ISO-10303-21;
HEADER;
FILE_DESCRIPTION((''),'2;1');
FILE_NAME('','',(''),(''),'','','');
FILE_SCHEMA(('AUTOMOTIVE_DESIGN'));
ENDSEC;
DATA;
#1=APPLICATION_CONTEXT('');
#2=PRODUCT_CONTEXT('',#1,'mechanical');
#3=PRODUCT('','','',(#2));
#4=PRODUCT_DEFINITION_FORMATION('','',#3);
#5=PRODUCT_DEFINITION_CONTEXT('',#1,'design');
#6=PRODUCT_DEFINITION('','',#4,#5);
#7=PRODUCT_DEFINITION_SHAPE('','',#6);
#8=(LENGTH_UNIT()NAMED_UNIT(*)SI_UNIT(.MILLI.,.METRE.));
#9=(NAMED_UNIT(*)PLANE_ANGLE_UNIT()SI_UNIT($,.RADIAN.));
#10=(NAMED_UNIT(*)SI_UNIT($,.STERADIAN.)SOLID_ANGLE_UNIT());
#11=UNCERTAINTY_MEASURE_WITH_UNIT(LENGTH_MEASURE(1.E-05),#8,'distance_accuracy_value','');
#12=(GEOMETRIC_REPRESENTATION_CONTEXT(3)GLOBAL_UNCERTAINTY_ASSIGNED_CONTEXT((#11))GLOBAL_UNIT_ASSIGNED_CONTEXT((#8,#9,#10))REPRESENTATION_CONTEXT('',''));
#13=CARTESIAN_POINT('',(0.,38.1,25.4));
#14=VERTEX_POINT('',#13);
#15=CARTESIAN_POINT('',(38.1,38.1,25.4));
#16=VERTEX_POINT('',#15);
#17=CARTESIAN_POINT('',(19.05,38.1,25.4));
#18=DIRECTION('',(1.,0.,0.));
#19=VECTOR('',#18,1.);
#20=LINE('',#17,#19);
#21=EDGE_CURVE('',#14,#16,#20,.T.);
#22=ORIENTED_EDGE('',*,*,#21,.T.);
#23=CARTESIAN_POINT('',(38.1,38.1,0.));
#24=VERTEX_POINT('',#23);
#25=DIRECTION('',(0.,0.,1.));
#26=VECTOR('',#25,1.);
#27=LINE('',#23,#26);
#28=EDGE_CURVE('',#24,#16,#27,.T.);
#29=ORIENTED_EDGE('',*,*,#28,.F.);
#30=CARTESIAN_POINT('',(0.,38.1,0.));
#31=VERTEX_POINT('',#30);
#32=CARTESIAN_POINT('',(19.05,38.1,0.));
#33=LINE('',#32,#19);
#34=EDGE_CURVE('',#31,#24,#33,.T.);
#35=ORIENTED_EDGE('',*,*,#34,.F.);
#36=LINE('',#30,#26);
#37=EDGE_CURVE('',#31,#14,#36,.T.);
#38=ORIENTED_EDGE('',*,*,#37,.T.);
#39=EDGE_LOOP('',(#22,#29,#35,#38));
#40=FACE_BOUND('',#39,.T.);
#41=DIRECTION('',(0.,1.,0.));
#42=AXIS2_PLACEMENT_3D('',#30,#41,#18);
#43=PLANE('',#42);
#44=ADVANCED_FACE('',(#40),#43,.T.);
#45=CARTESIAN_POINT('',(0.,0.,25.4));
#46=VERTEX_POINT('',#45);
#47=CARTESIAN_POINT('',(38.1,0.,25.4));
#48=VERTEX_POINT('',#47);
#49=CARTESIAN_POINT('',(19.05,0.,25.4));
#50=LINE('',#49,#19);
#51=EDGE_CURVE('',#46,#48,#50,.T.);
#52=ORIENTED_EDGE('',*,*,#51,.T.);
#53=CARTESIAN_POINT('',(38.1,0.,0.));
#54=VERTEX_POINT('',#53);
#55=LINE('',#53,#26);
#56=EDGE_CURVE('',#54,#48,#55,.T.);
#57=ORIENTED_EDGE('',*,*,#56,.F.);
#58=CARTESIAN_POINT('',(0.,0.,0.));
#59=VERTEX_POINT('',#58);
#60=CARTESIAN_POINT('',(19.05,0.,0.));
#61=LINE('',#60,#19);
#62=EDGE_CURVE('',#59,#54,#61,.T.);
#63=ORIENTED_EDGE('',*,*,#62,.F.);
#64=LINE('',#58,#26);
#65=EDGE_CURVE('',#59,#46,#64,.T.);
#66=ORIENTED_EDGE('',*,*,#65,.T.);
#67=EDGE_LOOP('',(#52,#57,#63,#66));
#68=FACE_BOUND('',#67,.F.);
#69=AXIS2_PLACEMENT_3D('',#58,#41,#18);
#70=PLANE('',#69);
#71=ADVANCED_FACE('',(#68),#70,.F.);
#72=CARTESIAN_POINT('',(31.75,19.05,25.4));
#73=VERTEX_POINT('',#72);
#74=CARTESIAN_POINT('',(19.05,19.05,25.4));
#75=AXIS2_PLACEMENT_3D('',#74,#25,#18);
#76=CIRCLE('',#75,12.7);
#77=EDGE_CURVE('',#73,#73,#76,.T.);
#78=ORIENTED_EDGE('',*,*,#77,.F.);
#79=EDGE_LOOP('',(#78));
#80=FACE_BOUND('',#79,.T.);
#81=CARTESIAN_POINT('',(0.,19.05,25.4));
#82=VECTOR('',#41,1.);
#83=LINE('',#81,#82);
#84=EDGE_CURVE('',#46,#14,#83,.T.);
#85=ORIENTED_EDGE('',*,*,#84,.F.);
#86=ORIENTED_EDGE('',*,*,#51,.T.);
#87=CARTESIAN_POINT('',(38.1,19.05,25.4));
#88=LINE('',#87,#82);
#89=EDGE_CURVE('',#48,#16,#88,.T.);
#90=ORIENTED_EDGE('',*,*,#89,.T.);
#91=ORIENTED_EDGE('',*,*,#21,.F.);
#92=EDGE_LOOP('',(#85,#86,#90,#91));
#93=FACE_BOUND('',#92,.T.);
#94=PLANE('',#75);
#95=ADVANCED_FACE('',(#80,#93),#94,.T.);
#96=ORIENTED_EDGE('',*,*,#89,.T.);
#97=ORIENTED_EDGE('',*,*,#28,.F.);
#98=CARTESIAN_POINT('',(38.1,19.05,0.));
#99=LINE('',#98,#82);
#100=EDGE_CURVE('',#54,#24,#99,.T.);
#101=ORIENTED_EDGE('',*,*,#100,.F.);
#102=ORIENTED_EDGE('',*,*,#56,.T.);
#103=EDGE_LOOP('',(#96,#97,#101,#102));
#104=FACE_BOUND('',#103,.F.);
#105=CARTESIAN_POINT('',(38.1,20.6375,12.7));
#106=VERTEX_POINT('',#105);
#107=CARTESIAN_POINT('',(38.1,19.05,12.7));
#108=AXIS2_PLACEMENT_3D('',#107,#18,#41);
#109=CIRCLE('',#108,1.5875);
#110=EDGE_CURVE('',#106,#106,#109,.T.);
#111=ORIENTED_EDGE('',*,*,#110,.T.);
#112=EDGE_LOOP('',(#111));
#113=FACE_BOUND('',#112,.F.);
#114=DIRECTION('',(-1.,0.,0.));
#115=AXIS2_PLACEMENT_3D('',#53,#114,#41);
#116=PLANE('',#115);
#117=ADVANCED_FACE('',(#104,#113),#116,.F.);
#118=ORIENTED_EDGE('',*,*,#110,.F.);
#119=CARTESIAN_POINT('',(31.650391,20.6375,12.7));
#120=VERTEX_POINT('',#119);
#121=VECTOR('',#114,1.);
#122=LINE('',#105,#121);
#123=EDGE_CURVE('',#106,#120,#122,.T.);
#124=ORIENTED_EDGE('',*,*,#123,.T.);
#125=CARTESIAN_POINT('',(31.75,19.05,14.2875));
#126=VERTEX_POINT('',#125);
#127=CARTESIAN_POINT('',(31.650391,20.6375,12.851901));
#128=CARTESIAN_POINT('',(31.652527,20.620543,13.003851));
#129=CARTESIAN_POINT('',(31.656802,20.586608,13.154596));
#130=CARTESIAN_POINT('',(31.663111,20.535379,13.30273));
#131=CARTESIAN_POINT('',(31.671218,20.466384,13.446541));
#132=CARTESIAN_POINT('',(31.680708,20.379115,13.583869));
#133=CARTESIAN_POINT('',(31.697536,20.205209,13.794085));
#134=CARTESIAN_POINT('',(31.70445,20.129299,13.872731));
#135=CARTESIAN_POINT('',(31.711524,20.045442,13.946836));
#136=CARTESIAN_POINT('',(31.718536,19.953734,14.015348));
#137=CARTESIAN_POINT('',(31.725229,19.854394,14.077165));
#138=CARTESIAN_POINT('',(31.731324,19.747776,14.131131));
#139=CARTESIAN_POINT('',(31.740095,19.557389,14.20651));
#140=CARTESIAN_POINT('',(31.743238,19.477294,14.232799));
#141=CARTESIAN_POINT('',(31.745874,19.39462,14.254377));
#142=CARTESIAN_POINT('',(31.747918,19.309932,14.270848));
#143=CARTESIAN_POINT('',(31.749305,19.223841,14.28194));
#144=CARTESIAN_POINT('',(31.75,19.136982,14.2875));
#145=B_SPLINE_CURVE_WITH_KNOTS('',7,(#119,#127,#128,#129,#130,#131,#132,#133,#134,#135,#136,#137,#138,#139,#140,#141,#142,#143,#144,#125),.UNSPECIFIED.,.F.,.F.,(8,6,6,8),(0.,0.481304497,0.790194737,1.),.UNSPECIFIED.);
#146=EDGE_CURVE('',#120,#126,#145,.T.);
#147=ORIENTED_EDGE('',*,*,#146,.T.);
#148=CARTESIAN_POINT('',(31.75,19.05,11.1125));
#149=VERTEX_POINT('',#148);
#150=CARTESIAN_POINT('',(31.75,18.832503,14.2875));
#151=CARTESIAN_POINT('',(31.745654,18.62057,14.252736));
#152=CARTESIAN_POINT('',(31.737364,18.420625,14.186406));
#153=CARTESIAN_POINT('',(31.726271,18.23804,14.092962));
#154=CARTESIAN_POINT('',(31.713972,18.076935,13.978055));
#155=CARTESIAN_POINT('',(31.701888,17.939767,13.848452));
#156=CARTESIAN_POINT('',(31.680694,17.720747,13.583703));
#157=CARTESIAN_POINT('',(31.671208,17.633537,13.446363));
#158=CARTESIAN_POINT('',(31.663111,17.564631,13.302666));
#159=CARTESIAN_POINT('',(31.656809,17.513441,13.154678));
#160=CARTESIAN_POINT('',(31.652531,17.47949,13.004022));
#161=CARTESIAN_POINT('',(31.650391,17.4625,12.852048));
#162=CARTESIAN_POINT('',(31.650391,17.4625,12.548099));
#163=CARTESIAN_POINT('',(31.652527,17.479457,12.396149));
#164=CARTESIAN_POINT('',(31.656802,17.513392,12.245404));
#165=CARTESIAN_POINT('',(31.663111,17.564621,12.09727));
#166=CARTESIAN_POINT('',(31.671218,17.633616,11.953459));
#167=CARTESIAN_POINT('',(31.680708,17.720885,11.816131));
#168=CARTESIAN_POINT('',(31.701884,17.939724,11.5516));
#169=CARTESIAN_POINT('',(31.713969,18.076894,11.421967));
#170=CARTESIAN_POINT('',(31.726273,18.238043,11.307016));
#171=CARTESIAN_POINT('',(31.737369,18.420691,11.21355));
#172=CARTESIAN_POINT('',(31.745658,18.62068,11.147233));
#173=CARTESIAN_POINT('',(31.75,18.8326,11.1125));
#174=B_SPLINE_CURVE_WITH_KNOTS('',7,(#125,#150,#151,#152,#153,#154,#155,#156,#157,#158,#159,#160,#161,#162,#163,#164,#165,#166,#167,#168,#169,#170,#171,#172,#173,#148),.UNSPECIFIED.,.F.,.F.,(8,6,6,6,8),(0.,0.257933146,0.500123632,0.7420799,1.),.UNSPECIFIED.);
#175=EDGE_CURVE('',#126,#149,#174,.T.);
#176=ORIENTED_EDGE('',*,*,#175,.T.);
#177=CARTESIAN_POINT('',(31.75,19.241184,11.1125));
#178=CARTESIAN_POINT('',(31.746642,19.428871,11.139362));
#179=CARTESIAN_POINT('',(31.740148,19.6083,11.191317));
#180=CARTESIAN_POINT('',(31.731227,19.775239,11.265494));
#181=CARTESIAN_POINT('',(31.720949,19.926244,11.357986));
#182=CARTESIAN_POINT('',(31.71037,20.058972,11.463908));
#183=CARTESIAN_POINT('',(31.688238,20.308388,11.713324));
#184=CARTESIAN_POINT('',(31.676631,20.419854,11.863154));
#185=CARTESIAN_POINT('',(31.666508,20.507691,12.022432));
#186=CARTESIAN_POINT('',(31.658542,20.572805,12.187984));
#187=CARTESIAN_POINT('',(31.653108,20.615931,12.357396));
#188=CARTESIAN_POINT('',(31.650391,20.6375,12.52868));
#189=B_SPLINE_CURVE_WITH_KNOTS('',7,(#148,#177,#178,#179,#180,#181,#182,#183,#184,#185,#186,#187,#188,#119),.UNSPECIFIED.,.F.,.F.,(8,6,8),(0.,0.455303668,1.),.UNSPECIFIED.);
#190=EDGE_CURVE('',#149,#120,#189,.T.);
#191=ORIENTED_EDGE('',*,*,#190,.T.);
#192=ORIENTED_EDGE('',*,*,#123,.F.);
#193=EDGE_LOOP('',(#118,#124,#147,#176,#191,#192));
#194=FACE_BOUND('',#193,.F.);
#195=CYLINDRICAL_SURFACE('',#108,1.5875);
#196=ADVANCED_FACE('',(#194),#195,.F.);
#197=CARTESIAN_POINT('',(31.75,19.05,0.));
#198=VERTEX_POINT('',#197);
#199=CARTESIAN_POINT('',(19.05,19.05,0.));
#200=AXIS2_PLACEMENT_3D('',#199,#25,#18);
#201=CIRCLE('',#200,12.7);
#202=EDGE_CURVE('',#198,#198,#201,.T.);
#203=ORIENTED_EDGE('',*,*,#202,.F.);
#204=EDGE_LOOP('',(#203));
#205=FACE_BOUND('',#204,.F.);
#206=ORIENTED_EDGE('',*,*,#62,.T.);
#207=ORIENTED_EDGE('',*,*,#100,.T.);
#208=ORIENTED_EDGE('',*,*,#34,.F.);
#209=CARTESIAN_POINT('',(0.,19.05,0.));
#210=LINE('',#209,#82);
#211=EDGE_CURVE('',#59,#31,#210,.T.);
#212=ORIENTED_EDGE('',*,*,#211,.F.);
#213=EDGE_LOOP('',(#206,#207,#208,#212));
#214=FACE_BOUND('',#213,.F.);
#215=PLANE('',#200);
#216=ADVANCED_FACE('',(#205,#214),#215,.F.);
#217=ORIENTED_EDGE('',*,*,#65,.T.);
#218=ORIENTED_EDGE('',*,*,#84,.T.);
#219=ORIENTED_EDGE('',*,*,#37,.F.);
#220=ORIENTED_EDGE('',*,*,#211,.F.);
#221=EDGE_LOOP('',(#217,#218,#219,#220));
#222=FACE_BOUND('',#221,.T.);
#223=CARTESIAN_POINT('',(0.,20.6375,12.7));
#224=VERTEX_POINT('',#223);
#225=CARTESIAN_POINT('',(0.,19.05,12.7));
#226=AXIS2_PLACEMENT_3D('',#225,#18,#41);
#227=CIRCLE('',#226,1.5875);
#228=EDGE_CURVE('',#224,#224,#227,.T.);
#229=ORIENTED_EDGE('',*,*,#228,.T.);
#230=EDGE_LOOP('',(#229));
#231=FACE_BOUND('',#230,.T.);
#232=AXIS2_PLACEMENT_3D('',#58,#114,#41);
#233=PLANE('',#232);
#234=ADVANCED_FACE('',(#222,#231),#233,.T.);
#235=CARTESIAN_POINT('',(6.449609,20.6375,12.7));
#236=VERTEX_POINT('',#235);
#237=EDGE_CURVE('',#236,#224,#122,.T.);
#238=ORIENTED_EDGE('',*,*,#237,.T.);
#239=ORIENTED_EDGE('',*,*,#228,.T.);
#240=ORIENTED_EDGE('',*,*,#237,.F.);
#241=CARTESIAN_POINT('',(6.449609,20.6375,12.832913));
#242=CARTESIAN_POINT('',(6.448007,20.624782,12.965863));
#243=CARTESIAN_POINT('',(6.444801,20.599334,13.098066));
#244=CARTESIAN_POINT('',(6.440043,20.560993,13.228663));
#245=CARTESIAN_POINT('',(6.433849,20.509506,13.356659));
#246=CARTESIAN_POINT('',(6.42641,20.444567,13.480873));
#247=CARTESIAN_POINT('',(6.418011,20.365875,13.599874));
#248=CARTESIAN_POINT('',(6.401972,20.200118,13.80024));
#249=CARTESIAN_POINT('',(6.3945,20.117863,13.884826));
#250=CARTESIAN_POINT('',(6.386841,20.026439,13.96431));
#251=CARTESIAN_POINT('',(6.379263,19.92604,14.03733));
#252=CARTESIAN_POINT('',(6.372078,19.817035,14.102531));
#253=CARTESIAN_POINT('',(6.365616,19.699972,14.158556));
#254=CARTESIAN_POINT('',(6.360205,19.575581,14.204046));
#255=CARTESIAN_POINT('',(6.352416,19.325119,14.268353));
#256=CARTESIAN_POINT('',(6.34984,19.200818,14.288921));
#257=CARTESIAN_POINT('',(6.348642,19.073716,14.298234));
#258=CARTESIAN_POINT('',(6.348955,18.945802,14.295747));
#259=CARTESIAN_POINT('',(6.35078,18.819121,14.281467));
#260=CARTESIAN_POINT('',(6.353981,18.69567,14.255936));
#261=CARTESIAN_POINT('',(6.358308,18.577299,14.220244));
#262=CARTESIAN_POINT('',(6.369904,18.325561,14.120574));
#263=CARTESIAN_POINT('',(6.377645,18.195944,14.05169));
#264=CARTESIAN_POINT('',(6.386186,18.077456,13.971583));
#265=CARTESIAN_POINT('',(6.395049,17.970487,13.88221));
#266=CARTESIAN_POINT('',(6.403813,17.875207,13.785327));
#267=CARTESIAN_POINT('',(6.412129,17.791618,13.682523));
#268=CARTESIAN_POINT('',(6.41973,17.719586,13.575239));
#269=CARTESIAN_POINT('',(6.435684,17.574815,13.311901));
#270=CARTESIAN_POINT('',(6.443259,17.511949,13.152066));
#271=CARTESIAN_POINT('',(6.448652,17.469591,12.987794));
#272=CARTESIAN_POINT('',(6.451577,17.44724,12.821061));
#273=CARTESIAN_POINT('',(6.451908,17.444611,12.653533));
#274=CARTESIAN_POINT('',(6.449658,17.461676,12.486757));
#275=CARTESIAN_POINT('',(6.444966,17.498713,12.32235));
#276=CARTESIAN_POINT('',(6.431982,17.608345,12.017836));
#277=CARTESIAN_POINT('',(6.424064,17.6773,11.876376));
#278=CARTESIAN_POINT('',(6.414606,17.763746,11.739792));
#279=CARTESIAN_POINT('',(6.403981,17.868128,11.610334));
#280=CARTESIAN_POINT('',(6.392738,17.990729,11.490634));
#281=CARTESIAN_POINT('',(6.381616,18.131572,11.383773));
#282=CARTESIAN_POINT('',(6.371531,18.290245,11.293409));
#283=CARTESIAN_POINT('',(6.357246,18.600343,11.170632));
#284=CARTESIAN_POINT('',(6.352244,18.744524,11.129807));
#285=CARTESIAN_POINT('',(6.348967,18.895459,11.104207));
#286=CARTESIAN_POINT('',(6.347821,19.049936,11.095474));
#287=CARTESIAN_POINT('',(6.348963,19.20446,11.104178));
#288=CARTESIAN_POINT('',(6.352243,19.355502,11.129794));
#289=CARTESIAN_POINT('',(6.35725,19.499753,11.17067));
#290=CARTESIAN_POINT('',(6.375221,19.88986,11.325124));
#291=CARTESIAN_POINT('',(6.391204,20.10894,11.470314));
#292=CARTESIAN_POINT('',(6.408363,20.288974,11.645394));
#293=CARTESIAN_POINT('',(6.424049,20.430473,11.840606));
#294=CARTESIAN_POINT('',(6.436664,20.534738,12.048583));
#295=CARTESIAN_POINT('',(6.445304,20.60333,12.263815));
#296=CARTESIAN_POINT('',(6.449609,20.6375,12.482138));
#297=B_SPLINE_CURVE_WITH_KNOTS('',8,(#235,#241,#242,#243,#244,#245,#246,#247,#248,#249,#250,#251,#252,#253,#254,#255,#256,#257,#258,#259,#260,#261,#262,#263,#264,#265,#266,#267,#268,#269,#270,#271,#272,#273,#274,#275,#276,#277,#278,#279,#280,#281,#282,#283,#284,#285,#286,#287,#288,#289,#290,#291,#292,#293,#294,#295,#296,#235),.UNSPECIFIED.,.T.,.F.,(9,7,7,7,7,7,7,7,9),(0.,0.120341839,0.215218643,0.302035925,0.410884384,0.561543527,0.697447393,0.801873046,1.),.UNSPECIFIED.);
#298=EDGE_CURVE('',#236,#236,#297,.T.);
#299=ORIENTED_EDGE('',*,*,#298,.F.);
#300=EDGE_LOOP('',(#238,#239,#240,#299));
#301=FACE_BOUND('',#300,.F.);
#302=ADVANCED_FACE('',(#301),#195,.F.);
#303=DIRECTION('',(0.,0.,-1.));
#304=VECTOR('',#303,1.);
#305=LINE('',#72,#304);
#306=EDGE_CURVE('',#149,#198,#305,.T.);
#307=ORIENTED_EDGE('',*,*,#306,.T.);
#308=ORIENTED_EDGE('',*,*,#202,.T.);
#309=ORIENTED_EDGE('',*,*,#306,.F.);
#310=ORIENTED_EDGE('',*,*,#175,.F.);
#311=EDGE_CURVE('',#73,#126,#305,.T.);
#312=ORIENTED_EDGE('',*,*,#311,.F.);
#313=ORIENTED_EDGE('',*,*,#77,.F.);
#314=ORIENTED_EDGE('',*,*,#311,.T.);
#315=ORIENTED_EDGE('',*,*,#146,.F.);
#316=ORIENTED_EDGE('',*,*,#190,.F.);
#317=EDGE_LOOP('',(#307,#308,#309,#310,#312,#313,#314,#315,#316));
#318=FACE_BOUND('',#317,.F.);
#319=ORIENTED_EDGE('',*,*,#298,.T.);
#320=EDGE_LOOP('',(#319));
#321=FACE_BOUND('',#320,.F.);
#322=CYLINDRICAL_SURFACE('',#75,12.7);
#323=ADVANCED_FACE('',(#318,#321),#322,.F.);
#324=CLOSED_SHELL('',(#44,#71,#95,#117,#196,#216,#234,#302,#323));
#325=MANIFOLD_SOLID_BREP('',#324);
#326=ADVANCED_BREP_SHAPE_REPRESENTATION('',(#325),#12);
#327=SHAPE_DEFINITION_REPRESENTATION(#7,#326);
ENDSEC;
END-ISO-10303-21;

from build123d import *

# Parameters (mm, degrees)
F0_W     = 38.1
F0_H     = 38.1
F1_DEPTH = 25.4
F2_R     = 1.5875
F3_DEPTH = 38.1
F4_R     = 12.7
F5_DEPTH = 25.4


with BuildPart() as f1:
    # F0 (on Top) → F1 (new body)
    with BuildSketch(Plane.XY):
        with Locations((19.05, 19.05)):
            Rectangle(F0_W, F0_H)
    extrude(amount=F1_DEPTH)

    # F2 (on face) → F3 (cut)
    with BuildSketch(Plane.YZ.offset(38.1)):
        with Locations((19.05, 12.7)):
            Circle(F2_R)
    extrude(amount=-F3_DEPTH, mode=Mode.SUBTRACT)

    # F4 (on face) → F5 (cut)
    with BuildSketch(Plane.XY.offset(25.4)):
        with Locations((19.05, 19.05)):
            Circle(F4_R)
    extrude(amount=-F5_DEPTH, mode=Mode.SUBTRACT)


solid = f1.part
